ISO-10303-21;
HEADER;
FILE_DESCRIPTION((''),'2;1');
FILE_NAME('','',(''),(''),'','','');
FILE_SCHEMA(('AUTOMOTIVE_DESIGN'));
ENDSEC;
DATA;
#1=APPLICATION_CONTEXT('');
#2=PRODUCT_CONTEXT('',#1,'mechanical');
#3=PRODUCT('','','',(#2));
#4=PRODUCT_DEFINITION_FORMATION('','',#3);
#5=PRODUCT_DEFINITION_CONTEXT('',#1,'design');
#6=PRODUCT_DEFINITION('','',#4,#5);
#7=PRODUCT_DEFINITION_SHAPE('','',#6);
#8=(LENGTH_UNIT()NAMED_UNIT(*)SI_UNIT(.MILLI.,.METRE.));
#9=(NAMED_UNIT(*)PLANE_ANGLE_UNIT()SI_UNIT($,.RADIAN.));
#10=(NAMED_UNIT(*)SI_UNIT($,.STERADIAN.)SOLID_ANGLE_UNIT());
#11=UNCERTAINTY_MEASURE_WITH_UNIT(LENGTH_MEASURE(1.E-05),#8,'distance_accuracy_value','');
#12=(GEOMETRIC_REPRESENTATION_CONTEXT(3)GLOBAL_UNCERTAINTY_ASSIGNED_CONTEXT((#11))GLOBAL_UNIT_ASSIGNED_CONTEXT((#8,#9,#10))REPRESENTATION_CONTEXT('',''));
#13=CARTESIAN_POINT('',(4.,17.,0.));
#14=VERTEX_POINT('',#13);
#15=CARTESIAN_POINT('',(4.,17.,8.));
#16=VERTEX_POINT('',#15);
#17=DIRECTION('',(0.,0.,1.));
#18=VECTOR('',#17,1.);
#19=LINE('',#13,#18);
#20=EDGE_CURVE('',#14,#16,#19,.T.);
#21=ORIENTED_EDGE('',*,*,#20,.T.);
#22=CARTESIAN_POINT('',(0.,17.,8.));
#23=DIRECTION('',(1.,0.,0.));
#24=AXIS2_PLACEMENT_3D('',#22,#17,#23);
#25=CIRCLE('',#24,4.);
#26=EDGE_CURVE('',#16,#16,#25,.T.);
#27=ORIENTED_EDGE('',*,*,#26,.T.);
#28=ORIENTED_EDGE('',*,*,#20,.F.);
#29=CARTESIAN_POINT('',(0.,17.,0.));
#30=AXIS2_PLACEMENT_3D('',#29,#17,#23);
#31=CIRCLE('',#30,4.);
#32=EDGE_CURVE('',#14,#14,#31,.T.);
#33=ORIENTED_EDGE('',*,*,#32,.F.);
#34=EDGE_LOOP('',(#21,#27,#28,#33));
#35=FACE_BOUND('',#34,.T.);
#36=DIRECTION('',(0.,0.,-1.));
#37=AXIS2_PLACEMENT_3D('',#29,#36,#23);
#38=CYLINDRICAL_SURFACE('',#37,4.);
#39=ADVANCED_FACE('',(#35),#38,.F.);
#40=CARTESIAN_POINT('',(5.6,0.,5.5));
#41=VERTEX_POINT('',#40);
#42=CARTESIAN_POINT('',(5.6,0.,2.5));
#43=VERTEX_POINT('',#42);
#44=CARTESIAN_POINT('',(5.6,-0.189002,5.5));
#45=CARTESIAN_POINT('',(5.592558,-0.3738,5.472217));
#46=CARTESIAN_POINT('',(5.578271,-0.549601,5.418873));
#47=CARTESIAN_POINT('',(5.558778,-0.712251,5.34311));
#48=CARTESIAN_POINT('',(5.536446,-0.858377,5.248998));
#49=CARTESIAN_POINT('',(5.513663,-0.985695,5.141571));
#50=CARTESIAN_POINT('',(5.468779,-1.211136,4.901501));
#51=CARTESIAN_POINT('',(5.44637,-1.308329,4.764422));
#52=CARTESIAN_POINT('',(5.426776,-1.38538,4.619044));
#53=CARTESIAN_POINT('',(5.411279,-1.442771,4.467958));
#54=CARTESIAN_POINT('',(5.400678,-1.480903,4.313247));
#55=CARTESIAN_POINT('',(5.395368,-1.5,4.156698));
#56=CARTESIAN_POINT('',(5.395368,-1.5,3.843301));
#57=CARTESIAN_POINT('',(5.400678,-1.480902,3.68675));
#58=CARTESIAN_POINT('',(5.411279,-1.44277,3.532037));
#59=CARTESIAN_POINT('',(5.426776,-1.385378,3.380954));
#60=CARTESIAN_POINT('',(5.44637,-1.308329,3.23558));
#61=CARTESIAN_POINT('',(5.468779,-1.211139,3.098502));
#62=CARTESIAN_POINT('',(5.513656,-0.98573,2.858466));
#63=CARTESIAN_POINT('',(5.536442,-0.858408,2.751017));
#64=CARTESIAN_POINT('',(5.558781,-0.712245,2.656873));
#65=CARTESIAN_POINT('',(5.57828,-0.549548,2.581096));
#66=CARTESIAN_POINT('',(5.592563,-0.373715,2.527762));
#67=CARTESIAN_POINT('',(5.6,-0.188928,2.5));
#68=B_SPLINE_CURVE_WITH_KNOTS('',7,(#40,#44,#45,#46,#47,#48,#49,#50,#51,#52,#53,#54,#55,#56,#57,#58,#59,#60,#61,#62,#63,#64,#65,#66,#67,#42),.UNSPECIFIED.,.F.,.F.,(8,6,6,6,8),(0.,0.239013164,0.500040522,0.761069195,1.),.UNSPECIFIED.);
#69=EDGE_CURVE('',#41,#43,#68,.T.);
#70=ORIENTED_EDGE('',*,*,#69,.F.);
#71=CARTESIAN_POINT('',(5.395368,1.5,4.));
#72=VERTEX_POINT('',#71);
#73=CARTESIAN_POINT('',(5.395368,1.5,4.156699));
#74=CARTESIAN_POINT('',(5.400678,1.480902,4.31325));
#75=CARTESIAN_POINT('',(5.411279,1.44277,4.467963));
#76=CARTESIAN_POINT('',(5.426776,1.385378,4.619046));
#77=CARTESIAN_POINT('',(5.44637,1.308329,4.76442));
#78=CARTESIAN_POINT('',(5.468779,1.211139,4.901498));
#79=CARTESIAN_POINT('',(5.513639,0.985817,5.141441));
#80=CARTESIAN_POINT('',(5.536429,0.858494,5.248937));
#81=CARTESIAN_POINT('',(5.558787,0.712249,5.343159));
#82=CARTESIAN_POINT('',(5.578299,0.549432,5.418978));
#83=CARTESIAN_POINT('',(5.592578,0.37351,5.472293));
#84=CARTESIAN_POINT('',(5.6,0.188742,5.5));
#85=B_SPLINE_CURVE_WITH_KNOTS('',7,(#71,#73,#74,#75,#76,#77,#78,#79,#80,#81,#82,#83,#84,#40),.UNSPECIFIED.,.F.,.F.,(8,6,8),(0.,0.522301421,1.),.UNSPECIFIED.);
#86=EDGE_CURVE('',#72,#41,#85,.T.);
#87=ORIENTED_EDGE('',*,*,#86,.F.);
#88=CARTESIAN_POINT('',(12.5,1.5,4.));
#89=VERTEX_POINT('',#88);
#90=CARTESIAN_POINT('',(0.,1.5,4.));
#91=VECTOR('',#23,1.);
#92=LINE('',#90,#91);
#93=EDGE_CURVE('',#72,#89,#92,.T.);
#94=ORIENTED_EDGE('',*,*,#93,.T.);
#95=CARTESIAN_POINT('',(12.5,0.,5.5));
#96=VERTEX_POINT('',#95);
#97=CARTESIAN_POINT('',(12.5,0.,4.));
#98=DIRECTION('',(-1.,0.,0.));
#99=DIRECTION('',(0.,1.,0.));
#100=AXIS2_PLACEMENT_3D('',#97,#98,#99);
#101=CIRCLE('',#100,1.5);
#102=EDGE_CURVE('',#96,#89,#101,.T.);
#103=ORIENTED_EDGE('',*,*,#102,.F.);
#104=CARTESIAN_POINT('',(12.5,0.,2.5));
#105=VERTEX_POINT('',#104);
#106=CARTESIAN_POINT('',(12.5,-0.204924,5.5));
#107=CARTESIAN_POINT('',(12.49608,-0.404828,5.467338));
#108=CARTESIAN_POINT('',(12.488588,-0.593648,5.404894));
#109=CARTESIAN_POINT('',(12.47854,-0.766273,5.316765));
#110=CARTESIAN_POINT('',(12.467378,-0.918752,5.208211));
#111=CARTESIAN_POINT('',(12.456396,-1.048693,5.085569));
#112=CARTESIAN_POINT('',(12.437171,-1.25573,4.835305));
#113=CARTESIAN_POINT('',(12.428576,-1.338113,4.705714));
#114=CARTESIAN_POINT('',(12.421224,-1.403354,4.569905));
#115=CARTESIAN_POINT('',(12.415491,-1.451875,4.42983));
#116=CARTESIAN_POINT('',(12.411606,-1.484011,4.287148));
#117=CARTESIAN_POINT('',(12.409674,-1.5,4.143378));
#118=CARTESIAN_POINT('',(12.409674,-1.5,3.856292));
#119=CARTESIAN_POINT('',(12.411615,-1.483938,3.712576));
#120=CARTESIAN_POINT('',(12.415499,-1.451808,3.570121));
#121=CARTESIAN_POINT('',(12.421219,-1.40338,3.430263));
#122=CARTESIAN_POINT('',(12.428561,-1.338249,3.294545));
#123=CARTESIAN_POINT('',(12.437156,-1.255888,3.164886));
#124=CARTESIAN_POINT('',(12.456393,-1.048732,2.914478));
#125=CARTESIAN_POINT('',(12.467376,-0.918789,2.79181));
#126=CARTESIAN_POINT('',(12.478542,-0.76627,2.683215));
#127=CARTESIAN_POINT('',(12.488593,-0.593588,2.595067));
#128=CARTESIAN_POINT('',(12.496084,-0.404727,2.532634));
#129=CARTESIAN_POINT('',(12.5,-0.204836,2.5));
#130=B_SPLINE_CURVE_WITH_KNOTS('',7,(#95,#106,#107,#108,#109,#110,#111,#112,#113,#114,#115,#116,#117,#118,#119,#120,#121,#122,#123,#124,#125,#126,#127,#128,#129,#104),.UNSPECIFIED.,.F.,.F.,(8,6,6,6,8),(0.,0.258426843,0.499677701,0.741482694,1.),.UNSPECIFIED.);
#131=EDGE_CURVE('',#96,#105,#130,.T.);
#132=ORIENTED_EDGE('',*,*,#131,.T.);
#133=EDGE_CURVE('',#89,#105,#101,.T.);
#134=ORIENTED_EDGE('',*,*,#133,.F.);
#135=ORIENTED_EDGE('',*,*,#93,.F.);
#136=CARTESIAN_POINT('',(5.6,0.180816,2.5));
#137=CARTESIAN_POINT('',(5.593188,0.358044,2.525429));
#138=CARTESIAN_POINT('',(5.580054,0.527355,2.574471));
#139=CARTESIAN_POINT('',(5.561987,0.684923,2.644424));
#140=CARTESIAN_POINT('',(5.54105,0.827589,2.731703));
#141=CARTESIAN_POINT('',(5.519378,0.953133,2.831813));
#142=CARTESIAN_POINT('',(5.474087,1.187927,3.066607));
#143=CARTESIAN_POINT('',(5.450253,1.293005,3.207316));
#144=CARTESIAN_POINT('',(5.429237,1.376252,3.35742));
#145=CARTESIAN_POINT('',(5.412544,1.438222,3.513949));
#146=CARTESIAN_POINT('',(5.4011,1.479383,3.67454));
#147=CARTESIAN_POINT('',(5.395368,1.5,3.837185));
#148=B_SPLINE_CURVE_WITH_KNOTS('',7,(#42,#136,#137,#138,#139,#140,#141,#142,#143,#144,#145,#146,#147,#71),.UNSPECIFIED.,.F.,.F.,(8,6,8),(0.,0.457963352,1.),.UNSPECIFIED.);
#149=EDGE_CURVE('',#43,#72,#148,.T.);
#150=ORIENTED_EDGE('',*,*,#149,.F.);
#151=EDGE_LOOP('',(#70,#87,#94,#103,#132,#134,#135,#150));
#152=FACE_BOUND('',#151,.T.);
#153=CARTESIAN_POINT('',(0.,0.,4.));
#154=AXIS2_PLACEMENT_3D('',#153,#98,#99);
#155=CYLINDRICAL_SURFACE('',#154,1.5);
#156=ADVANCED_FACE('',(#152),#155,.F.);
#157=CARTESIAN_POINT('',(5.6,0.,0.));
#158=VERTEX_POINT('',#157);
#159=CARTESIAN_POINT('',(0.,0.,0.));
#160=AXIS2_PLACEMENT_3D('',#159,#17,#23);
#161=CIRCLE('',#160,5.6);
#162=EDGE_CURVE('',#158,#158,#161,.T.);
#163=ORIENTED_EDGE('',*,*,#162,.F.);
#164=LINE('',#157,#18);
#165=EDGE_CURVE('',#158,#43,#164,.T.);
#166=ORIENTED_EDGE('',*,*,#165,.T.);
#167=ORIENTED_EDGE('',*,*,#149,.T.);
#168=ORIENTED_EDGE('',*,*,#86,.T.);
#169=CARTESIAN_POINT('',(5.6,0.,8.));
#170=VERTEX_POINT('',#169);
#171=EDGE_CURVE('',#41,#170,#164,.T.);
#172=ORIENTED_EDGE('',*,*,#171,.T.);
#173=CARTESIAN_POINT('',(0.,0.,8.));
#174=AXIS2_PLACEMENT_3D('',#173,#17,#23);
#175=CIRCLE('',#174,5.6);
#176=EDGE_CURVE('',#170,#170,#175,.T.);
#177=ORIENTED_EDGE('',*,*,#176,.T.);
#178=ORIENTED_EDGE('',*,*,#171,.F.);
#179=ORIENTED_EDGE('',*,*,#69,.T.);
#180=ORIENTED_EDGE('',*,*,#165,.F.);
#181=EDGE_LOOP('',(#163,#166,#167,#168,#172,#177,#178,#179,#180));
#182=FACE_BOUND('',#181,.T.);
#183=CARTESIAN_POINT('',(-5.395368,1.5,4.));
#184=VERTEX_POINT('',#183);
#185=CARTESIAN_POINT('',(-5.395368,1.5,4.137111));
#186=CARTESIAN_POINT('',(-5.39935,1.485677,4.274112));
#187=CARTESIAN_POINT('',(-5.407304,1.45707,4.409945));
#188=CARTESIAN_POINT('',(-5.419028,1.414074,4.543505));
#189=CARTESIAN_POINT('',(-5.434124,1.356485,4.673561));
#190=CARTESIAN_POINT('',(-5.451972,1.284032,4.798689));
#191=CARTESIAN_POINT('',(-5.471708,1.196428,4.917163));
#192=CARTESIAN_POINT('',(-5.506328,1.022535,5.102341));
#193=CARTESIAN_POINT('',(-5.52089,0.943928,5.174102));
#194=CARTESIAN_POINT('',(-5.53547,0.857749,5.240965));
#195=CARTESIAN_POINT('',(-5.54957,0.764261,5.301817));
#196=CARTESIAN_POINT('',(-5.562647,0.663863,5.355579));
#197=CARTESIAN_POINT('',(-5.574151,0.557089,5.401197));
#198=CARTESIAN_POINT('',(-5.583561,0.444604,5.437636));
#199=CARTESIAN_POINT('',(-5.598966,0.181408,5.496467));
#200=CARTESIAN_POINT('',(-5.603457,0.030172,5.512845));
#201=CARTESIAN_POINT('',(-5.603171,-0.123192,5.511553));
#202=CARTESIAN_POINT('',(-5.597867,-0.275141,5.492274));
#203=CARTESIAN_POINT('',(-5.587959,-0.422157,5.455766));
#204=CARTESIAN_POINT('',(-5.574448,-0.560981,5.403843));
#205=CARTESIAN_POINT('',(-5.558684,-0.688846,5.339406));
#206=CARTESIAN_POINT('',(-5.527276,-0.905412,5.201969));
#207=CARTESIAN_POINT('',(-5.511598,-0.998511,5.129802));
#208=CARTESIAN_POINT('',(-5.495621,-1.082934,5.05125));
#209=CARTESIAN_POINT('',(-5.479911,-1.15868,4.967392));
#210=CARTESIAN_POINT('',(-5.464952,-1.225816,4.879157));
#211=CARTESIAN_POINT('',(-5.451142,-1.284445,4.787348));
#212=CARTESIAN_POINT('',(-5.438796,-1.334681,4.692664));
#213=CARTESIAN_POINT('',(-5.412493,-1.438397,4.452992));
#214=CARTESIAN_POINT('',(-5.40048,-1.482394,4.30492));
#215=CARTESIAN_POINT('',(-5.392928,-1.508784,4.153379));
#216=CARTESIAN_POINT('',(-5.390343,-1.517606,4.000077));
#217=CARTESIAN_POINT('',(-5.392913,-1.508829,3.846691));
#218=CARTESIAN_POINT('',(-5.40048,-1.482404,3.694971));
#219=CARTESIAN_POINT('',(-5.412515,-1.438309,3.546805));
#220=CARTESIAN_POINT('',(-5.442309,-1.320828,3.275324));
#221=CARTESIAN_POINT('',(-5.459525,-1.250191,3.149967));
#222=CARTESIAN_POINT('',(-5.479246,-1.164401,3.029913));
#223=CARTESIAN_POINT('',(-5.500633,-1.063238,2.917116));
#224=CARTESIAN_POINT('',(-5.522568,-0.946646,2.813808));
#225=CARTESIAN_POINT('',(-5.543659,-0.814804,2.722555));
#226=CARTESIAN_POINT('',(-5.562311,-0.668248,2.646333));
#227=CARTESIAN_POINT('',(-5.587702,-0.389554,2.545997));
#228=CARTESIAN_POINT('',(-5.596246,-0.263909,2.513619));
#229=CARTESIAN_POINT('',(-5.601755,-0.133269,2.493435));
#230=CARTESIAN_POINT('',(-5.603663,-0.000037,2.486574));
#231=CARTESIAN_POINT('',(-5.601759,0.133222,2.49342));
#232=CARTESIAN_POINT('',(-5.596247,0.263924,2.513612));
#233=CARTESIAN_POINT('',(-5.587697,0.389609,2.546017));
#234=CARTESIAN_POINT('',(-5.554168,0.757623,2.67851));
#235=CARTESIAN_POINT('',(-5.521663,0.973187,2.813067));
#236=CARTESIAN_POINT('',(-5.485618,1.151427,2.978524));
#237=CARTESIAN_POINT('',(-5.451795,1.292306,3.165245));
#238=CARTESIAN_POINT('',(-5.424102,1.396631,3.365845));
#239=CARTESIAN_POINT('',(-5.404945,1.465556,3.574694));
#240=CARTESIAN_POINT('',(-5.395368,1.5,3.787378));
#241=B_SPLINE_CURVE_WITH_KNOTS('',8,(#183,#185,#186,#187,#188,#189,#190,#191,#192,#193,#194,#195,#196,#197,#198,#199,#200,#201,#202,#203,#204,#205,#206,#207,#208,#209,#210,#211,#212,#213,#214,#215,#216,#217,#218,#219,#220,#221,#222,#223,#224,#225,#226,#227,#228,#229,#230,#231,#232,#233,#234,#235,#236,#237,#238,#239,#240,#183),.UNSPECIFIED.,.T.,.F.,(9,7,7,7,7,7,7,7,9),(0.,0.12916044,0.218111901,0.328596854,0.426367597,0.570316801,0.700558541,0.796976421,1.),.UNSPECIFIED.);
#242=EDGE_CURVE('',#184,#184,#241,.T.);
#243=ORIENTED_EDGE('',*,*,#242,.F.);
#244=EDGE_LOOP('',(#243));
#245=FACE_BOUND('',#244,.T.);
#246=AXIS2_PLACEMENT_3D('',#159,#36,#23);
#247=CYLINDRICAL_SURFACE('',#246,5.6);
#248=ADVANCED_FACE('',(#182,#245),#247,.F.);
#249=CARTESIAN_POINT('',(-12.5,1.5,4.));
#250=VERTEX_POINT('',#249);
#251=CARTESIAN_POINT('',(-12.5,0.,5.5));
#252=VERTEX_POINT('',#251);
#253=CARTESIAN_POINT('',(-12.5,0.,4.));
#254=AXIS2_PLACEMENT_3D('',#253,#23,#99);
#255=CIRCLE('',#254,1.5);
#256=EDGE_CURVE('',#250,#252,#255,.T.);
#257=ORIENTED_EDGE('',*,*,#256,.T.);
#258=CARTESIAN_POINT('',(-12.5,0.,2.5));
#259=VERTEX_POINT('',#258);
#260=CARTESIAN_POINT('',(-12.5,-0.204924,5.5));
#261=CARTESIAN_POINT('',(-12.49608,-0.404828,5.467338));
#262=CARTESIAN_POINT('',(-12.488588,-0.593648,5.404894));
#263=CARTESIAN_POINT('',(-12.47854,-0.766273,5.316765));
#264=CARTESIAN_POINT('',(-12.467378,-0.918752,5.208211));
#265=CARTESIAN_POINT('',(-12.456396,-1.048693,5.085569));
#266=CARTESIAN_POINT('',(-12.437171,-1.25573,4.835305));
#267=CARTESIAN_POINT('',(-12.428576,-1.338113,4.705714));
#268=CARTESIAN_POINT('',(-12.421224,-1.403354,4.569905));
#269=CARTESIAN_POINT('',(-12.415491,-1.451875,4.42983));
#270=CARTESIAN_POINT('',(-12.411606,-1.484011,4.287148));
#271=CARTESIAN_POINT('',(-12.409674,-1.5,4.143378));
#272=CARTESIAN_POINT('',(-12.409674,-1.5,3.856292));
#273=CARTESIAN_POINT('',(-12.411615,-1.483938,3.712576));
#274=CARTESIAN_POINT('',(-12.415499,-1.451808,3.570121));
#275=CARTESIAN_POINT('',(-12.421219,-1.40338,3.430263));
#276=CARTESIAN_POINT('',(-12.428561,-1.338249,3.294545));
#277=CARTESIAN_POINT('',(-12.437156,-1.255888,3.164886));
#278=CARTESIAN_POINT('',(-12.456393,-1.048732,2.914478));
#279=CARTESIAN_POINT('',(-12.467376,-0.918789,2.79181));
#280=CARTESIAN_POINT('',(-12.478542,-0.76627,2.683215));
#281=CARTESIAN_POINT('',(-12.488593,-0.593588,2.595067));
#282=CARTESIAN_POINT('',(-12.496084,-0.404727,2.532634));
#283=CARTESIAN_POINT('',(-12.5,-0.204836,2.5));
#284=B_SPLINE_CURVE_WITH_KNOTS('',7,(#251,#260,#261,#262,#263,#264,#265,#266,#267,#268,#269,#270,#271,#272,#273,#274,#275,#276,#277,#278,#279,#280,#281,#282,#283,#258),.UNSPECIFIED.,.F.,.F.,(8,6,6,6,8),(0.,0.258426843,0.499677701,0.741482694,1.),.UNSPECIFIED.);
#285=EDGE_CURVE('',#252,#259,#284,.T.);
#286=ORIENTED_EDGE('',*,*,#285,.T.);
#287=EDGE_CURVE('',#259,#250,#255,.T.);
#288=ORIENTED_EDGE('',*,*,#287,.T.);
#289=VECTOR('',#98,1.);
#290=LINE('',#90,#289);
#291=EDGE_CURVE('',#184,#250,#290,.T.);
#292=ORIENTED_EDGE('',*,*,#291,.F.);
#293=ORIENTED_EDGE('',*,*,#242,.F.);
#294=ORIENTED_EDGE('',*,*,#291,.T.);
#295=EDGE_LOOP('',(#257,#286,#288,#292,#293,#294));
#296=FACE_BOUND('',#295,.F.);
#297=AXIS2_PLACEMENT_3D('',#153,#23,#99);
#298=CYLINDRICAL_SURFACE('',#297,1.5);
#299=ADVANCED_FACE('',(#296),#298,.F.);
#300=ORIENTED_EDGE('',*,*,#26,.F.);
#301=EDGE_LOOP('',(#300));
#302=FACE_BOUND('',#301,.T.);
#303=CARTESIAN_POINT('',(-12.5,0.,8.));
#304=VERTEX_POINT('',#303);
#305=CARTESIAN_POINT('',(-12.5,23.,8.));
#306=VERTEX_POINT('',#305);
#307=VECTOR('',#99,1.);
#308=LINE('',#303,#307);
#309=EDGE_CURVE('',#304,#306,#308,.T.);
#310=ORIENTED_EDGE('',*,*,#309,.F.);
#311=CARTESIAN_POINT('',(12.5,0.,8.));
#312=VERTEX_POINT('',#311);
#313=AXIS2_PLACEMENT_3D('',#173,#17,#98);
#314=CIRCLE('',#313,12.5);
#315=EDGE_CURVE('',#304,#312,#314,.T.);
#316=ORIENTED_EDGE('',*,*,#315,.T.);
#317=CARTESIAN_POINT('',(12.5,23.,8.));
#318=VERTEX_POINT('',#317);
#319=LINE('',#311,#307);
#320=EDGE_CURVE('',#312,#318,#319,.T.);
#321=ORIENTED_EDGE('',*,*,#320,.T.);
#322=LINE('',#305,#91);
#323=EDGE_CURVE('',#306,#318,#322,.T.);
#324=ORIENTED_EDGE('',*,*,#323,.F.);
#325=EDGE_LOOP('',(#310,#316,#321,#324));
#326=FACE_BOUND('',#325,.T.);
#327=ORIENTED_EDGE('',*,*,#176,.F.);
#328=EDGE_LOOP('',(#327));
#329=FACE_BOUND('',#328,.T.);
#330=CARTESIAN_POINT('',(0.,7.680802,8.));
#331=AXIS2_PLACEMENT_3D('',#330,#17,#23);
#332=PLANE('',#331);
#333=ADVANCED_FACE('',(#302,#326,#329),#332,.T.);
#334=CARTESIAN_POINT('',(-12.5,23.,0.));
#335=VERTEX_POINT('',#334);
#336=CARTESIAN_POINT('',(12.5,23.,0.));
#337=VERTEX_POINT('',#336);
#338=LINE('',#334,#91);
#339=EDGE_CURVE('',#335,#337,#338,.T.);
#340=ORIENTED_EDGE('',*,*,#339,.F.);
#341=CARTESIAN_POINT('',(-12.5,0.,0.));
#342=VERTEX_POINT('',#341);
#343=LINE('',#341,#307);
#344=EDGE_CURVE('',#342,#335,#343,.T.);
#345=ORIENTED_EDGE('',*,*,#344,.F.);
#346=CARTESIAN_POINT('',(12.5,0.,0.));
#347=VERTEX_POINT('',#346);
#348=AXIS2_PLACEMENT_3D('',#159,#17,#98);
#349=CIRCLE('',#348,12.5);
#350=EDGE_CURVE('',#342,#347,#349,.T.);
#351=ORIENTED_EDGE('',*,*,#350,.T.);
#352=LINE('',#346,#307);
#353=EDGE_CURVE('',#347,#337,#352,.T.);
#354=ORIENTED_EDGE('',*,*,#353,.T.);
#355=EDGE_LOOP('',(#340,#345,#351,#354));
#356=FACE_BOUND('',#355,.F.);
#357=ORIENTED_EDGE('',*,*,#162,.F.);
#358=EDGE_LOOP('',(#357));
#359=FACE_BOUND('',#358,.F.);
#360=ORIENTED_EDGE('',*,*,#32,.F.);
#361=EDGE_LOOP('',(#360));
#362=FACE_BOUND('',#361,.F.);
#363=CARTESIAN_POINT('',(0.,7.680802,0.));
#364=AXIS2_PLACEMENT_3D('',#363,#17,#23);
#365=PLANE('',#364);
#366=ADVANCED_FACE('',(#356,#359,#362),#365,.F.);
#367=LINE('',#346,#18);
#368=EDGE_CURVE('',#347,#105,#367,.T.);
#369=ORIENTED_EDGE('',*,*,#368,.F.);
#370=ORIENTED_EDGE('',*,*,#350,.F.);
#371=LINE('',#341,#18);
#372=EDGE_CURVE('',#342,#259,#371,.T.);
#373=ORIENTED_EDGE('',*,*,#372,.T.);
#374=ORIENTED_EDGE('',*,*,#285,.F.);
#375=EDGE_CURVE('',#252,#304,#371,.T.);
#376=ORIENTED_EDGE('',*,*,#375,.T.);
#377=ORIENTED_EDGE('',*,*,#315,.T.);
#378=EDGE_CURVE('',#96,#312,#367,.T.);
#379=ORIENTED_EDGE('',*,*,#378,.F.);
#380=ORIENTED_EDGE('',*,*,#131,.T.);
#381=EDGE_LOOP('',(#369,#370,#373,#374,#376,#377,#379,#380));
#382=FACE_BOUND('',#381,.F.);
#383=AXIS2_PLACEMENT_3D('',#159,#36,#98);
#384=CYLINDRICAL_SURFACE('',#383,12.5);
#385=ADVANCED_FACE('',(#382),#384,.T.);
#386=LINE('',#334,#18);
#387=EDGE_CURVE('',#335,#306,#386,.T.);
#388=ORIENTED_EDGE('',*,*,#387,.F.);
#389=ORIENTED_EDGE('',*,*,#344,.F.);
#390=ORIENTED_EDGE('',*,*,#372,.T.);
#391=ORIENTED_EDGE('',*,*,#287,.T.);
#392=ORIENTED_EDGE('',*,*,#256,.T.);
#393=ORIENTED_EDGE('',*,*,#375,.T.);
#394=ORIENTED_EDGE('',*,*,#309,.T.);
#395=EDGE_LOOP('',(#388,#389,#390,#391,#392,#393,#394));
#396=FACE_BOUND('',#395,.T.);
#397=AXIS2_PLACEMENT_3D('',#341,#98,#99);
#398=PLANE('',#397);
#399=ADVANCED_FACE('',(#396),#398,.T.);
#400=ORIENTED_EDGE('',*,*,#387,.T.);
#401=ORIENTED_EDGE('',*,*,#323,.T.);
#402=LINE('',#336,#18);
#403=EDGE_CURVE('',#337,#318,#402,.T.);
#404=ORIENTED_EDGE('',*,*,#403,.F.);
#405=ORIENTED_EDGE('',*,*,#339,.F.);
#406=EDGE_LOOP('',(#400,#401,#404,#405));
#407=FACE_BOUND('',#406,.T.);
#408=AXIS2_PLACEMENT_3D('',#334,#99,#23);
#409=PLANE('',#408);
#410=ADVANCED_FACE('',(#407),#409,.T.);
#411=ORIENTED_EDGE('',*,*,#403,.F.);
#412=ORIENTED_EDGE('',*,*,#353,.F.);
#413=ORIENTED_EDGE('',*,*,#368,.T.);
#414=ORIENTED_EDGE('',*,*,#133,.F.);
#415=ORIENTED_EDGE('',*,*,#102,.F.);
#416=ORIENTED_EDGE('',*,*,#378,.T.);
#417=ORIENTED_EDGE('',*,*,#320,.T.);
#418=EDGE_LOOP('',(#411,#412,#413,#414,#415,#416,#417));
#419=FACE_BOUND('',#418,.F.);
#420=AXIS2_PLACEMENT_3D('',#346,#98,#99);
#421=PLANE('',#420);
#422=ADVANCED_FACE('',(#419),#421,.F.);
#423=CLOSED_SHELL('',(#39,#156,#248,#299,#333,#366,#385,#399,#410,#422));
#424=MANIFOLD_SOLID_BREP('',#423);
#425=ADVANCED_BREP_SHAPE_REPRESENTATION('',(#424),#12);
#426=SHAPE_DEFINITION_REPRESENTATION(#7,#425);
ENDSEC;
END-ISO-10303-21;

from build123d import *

# Parameters (mm, degrees)
SKETCH_R          = 5.6
SKETCH_R_2        = 4
PAD_DEPTH         = 8
SKETCH001_R       = 1.5
POCKET_DEPTH      = 100
POCKET_DEPTH_BACK = 100


with BuildPart() as part:
    # Sketch → Pad (new body)
    with BuildSketch(Plane.XY):
        with BuildLine():
            ThreePointArc((-12.5, 0), (0, -12.5), (12.5, 0))
            Line((12.5, 0), (12.5, 23))
            Line((-12.5, 23), (12.5, 23))
            Line((-12.5, 0), (-12.5, 23))
        make_face()
        Circle(SKETCH_R, mode=Mode.SUBTRACT)
        with Locations((0, 17)):
            Circle(SKETCH_R_2, mode=Mode.SUBTRACT)
    extrude(amount=PAD_DEPTH)

    # Sketch001 → Pocket (cut, two sides)
    with BuildSketch(Plane.YZ) as pocket_sk:
        with Locations((0, 4)):
            Circle(SKETCH001_R)
    extrude(amount=-POCKET_DEPTH, mode=Mode.SUBTRACT)
    extrude(pocket_sk.sketch, amount=POCKET_DEPTH_BACK, mode=Mode.SUBTRACT)


solid = part.part
